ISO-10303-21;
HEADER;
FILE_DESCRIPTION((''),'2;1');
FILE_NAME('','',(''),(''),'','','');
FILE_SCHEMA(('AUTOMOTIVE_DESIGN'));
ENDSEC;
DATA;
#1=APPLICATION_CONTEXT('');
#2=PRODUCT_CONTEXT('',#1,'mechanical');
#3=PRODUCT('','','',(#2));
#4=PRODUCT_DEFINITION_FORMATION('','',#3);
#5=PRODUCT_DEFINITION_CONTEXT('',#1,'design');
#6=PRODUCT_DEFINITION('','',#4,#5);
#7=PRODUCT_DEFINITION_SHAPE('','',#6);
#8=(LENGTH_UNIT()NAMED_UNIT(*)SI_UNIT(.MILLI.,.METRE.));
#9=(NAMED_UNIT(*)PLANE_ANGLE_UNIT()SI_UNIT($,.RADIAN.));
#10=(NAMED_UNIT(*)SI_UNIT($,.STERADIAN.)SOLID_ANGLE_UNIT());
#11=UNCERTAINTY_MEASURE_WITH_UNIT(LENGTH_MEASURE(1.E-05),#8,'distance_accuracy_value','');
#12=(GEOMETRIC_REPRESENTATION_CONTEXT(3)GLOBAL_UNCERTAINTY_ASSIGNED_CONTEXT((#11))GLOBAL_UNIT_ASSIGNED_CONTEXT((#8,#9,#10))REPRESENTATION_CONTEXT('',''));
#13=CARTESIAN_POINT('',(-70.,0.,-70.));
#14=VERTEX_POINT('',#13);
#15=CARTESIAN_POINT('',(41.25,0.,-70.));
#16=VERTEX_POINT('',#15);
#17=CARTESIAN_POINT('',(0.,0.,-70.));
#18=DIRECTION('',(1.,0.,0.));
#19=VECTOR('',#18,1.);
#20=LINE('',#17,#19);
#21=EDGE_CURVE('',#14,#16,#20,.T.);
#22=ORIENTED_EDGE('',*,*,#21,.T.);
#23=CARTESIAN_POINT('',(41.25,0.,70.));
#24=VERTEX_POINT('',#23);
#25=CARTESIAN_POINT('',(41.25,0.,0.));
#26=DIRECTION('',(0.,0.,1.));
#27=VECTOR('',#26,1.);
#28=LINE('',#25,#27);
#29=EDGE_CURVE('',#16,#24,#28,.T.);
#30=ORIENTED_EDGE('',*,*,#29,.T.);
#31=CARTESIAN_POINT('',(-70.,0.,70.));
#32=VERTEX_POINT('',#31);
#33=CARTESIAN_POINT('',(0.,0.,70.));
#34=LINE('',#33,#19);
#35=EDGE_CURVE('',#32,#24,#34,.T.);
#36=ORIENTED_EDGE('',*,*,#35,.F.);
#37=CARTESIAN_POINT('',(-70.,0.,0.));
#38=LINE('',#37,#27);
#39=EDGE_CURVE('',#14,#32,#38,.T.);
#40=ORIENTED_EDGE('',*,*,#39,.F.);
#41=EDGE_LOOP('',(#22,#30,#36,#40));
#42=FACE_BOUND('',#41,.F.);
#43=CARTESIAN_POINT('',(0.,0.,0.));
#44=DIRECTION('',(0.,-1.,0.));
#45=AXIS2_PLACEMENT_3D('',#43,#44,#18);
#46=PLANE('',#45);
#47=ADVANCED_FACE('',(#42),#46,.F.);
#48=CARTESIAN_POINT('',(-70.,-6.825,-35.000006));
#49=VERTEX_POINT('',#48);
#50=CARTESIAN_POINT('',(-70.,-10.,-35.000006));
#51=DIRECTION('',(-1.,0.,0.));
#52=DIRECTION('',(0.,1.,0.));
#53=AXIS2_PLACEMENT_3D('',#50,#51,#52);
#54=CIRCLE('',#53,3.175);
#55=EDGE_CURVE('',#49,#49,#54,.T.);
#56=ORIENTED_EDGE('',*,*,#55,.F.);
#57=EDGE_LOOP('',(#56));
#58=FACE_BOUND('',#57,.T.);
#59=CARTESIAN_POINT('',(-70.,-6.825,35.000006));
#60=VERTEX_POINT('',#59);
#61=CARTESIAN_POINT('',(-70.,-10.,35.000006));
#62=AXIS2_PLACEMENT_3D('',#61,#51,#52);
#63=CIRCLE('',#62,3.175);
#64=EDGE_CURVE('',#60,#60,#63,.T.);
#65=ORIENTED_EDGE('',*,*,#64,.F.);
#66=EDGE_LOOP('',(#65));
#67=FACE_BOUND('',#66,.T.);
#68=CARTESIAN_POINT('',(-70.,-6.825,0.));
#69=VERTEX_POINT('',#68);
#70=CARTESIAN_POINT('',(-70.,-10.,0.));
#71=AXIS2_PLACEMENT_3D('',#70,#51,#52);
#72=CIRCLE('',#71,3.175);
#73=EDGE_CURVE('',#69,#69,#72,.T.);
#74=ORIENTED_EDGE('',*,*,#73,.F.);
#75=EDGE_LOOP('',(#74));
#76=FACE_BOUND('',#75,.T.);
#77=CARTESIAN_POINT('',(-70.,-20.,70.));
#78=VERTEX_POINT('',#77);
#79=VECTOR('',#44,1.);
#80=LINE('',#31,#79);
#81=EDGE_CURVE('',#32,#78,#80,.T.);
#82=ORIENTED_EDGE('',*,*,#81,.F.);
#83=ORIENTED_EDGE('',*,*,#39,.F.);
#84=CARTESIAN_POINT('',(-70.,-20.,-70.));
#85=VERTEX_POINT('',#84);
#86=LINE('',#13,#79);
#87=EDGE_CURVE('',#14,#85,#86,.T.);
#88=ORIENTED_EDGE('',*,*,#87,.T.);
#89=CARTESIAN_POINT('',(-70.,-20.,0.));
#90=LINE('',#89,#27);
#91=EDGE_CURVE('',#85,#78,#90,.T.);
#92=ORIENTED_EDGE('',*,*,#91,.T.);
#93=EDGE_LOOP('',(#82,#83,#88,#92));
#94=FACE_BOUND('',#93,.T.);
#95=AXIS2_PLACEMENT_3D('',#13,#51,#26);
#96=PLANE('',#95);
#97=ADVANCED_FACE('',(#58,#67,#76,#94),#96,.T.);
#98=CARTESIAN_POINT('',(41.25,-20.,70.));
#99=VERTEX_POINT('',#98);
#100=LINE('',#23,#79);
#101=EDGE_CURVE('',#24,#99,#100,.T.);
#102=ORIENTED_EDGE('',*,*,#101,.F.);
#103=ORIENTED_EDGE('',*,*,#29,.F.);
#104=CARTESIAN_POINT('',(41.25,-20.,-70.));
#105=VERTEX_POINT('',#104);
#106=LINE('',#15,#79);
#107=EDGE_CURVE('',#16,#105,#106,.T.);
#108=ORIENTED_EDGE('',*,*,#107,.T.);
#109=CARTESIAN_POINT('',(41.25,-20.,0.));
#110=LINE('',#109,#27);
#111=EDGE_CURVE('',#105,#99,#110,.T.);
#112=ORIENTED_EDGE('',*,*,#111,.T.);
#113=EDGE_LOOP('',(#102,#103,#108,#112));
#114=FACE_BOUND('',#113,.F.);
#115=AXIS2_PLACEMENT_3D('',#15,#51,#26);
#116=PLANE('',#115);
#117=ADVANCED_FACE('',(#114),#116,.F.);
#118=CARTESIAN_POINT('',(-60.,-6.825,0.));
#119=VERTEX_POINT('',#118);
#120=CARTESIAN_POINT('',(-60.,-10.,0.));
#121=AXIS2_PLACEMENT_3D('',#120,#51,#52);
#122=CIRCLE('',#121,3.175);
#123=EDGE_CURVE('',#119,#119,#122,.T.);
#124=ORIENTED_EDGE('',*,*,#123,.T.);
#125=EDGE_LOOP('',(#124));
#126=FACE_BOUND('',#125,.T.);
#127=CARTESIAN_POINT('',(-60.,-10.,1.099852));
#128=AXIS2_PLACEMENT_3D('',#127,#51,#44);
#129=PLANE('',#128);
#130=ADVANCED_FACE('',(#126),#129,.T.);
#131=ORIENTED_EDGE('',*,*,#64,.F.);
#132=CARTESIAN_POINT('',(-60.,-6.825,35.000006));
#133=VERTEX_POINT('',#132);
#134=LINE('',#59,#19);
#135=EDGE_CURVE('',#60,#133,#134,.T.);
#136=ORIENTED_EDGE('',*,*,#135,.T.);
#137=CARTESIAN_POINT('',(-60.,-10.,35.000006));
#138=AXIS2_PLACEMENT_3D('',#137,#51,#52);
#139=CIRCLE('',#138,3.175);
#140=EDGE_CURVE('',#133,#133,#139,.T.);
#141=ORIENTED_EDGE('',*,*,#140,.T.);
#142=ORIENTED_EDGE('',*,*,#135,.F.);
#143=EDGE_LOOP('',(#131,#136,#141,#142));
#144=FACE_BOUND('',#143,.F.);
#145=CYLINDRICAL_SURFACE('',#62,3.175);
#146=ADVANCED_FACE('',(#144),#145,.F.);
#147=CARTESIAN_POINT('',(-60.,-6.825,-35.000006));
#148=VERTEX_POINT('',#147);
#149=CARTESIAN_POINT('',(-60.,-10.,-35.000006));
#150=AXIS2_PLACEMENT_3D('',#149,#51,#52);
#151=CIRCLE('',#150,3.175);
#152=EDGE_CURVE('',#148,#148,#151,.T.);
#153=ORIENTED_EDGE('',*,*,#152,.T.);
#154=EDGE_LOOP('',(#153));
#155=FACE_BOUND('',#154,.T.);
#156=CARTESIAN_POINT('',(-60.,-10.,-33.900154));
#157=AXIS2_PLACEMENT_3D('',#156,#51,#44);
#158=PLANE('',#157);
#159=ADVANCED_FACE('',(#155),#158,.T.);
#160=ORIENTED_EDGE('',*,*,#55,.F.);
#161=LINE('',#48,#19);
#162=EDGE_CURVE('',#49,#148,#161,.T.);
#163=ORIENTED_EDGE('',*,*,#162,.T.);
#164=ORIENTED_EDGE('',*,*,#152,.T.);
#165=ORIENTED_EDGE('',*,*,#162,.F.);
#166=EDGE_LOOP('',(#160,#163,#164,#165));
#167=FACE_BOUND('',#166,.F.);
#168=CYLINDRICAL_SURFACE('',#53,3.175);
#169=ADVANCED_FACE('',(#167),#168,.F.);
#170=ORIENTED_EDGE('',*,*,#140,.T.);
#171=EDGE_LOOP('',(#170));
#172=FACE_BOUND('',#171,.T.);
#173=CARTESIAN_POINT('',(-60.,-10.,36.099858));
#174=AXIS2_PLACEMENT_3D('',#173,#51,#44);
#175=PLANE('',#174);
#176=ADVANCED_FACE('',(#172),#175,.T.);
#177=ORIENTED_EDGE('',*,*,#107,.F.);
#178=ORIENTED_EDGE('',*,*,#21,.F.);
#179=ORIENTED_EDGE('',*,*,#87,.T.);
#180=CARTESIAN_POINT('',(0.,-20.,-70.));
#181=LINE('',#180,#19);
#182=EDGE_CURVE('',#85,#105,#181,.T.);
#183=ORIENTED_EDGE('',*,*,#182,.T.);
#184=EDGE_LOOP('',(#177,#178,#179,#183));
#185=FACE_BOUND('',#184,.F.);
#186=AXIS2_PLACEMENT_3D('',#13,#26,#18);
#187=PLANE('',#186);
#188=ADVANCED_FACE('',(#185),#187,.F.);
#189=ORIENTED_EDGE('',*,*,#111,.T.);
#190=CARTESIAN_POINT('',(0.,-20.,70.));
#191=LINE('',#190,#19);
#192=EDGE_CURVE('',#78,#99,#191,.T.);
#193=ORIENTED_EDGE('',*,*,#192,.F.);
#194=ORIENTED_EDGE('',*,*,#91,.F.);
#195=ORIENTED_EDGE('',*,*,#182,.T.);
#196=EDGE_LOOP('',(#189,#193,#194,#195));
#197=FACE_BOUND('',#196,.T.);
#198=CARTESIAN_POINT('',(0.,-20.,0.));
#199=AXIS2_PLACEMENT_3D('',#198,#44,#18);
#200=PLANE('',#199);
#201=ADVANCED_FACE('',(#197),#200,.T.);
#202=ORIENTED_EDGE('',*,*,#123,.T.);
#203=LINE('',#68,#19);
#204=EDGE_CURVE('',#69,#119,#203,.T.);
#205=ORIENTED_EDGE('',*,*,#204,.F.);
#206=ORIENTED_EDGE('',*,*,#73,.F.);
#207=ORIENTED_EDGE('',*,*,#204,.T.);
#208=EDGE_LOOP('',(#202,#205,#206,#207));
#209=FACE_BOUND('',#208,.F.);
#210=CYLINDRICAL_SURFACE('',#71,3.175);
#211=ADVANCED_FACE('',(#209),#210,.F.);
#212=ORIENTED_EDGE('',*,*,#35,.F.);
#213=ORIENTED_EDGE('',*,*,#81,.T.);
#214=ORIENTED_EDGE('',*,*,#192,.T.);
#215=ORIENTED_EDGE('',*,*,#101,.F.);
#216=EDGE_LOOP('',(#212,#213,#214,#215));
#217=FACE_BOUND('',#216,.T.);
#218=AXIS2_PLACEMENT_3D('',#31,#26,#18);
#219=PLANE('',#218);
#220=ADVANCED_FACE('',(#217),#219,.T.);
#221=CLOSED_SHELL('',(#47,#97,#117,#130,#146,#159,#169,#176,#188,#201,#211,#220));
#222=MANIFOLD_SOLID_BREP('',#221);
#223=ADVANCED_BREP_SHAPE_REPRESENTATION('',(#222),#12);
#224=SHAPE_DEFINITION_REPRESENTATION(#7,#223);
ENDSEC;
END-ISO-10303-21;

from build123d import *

# Parameters (mm, degrees)
F0_W     = 140
F0_H     = 140
F1_DEPTH = 20
F3_DEPTH = 10
F4_DEPTH = 28.75


with BuildPart() as f1:
    # F0 (on Front) → F1 (new body)
    with BuildSketch(Plane.XZ):
        Rectangle(F0_W, F0_H)
    extrude(amount=F1_DEPTH)

    # F2 (on face) → F3 (cut)
    with BuildSketch(Plane(origin=(-70, 0, 0), x_dir=(0, -1, 0), z_dir=(-1, 0, 0))):
        with BuildLine():
            Line((6.825, 35.0000062), (13.175, 35.0000062))
            ThreePointArc((13.175, 35.0000062), (10, 38.1750062), (6.825, 35.0000062))
        make_face()
        with BuildLine():
            ThreePointArc((6.825, 35.0000062), (10, 31.8250062), (13.175, 35.0000062))
            Line((13.175, 35.0000062), (6.825, 35.0000062))
        make_face()
        with BuildLine():
            Line((6.825, 0), (13.175, 0))
            ThreePointArc((13.175, 0), (10, 3.175), (6.825, 0))
        make_face()
        with BuildLine():
            ThreePointArc((6.825, 0), (10, -3.175), (13.175, 0))
            Line((13.175, 0), (6.825, 0))
        make_face()
        with BuildLine():
            Line((6.825, -35.0000062), (13.175, -35.0000062))
            ThreePointArc((13.175, -35.0000062), (10, -31.8250062), (6.825, -35.0000062))
        make_face()
        with BuildLine():
            ThreePointArc((6.825, -35.0000062), (10, -38.1750062), (13.175, -35.0000062))
            Line((13.175, -35.0000062), (6.825, -35.0000062))
        make_face()
    extrude(amount=-F3_DEPTH, mode=Mode.SUBTRACT)

    # F4 (cut): a face of the model
    f4_faces = [f1.faces().sort_by_distance(p)[0] for p in [
        (70, -10, 0),
    ]]
    extrude(f4_faces, amount=-F4_DEPTH, mode=Mode.SUBTRACT)


solid = f1.part
